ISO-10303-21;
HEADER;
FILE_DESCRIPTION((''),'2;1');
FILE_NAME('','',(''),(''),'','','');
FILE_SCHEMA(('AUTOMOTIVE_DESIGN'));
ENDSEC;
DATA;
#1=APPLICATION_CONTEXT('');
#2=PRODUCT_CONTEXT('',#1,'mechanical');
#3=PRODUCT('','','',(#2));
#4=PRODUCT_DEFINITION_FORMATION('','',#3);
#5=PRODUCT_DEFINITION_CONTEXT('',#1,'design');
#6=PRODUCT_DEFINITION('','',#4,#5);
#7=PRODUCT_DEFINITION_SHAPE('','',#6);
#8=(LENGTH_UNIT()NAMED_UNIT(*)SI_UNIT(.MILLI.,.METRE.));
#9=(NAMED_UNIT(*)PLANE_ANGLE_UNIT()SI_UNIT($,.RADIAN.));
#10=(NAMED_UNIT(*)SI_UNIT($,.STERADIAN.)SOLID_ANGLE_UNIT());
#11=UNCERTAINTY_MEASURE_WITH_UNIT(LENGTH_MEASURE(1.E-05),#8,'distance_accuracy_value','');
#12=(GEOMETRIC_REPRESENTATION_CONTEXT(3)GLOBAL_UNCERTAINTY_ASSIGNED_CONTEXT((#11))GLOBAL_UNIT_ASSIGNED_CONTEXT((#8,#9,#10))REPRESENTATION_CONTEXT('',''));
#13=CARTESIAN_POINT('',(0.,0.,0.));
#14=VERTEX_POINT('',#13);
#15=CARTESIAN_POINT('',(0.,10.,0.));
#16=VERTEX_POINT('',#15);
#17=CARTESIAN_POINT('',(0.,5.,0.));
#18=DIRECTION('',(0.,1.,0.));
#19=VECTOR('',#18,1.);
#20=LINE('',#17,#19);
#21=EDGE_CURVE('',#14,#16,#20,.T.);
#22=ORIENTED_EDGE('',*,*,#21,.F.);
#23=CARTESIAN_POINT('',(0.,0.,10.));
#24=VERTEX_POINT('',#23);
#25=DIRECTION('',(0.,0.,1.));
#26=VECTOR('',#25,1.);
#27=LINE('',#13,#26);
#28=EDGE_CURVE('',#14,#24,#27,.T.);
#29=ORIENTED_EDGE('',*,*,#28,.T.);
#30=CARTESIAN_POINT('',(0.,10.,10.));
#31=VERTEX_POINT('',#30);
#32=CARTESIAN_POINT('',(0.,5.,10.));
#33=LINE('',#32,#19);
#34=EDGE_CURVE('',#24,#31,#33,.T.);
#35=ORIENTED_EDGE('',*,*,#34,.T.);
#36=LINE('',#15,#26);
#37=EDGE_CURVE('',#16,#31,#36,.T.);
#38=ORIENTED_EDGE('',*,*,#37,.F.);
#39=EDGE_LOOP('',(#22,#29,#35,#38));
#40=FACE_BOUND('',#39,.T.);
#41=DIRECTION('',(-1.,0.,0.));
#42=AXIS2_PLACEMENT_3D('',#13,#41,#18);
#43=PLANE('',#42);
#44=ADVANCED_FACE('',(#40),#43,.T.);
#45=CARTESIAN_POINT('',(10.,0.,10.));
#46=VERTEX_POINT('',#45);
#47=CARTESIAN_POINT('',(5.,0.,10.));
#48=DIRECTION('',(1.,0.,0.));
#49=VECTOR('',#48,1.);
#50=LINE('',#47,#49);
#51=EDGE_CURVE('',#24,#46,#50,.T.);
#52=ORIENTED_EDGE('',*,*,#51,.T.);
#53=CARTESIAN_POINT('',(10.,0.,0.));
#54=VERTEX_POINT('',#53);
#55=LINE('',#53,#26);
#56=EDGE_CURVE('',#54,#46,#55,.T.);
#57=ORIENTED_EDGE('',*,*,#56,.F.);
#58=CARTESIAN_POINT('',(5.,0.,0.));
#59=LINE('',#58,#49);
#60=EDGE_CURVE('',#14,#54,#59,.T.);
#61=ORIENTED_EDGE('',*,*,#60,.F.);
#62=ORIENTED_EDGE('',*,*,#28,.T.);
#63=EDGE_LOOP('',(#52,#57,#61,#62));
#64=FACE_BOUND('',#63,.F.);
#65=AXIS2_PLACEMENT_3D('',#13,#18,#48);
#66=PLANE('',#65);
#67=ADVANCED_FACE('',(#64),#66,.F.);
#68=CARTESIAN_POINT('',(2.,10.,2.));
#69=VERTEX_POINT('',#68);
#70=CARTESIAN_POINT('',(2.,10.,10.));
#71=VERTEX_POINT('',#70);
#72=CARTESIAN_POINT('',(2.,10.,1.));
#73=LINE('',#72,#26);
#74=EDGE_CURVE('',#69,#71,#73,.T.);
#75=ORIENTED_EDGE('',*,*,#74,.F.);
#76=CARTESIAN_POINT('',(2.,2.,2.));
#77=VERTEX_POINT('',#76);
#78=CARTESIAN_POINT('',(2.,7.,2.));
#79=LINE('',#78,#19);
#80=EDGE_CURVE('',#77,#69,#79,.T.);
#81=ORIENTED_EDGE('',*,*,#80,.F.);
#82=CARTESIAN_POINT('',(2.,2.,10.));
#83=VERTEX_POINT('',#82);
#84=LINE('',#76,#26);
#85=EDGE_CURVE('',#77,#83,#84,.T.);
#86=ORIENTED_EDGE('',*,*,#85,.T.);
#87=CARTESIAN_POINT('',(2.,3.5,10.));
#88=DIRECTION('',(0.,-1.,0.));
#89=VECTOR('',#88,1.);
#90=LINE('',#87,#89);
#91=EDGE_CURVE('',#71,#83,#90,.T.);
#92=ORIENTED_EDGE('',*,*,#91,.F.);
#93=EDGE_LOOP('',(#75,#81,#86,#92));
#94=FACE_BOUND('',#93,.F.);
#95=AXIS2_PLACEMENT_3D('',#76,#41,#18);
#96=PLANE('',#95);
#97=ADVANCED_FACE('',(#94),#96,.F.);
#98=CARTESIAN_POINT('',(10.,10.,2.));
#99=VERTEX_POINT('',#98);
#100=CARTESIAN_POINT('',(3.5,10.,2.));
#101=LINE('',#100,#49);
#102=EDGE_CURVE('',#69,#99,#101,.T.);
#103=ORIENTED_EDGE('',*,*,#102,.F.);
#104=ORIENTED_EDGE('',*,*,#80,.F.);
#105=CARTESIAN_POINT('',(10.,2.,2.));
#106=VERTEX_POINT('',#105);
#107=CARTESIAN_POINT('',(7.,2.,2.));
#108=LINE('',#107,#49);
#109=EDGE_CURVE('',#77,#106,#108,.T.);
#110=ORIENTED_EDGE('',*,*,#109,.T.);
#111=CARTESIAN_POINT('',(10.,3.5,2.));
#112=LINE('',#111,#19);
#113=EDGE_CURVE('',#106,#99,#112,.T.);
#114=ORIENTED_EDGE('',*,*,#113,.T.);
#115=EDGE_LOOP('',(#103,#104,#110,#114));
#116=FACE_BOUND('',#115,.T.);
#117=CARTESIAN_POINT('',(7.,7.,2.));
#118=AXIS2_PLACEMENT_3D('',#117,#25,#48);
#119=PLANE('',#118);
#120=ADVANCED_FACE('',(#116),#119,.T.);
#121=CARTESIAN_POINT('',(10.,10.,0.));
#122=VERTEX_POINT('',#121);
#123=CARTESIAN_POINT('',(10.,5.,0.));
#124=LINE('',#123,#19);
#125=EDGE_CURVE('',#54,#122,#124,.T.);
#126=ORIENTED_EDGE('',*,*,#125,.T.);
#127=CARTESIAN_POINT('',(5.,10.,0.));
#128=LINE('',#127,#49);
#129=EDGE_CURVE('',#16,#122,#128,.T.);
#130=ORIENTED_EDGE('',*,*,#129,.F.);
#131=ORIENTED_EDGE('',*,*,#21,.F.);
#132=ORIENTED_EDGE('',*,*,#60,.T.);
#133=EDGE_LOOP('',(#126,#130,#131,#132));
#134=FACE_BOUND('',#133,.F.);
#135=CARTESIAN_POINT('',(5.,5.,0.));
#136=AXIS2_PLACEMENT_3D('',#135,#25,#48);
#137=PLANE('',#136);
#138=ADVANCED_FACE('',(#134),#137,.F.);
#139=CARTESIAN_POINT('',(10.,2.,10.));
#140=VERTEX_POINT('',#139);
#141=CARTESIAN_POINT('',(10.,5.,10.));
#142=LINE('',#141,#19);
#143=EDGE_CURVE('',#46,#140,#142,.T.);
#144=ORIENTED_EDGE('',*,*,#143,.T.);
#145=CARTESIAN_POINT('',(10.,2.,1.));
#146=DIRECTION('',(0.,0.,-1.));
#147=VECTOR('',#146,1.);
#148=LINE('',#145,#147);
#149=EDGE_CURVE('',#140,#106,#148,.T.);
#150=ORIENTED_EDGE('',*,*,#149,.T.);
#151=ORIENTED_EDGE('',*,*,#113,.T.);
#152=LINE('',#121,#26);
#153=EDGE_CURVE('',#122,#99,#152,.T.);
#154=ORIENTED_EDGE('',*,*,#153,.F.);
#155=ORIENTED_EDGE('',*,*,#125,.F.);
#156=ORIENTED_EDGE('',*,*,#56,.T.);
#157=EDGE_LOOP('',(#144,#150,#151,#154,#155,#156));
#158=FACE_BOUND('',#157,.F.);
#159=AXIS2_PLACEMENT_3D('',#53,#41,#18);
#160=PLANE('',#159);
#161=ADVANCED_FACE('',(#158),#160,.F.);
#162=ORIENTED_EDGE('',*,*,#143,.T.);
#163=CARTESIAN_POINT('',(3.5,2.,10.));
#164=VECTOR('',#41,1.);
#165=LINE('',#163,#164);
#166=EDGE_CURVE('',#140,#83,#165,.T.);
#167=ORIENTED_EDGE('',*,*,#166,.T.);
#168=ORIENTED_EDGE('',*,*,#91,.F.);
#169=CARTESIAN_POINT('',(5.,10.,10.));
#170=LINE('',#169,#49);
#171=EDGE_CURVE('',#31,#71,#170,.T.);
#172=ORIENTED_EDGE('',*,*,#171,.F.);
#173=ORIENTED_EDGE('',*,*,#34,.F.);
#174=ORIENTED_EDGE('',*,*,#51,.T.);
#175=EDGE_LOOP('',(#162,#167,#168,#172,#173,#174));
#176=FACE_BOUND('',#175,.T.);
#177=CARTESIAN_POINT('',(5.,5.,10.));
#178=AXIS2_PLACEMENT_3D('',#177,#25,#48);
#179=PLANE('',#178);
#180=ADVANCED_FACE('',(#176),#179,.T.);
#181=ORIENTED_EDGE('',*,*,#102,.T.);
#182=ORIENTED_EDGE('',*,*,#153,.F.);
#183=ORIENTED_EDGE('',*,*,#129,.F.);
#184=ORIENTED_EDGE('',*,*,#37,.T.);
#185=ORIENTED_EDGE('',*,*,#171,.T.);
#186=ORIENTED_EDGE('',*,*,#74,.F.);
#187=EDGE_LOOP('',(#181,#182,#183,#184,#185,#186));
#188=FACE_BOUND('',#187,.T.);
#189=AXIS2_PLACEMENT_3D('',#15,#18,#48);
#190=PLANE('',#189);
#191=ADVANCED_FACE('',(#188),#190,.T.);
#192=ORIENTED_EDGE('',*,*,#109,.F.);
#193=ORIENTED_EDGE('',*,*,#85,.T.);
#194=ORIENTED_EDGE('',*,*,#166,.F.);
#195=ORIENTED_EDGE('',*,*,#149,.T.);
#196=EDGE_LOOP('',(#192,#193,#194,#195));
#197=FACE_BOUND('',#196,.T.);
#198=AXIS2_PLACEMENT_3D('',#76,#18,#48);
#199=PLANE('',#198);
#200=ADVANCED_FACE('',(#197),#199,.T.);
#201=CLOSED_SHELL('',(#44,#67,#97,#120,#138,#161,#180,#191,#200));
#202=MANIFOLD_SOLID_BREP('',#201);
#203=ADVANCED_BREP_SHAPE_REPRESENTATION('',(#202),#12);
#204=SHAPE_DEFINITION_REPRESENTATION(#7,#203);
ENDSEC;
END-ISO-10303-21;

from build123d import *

# Parameters (mm, degrees)
BOX001_W     = 10
BOX001_H     = 10
BOX001_DEPTH = 10
BOX_W        = 10
BOX_H        = 10
BOX_DEPTH    = 10


with BuildPart() as cubo_resta:
    # Box001 → Box001 (new body)
    with BuildSketch(Plane(origin=(2, 2, 2), x_dir=(1, 0, 0), z_dir=(0, 0, 1))):
        with Locations((5, 5)):
            Rectangle(BOX001_W, BOX001_H)
    extrude(amount=BOX001_DEPTH)


with BuildPart() as cut:
    # Box → Box (new body)
    with BuildSketch(Plane.XY):
        with Locations((5, 5)):
            Rectangle(BOX_W, BOX_H)
    extrude(amount=BOX_DEPTH)

    # Cut: cut Cubo_resta
    add(cubo_resta.part, mode=Mode.SUBTRACT)


solid = cut.part
